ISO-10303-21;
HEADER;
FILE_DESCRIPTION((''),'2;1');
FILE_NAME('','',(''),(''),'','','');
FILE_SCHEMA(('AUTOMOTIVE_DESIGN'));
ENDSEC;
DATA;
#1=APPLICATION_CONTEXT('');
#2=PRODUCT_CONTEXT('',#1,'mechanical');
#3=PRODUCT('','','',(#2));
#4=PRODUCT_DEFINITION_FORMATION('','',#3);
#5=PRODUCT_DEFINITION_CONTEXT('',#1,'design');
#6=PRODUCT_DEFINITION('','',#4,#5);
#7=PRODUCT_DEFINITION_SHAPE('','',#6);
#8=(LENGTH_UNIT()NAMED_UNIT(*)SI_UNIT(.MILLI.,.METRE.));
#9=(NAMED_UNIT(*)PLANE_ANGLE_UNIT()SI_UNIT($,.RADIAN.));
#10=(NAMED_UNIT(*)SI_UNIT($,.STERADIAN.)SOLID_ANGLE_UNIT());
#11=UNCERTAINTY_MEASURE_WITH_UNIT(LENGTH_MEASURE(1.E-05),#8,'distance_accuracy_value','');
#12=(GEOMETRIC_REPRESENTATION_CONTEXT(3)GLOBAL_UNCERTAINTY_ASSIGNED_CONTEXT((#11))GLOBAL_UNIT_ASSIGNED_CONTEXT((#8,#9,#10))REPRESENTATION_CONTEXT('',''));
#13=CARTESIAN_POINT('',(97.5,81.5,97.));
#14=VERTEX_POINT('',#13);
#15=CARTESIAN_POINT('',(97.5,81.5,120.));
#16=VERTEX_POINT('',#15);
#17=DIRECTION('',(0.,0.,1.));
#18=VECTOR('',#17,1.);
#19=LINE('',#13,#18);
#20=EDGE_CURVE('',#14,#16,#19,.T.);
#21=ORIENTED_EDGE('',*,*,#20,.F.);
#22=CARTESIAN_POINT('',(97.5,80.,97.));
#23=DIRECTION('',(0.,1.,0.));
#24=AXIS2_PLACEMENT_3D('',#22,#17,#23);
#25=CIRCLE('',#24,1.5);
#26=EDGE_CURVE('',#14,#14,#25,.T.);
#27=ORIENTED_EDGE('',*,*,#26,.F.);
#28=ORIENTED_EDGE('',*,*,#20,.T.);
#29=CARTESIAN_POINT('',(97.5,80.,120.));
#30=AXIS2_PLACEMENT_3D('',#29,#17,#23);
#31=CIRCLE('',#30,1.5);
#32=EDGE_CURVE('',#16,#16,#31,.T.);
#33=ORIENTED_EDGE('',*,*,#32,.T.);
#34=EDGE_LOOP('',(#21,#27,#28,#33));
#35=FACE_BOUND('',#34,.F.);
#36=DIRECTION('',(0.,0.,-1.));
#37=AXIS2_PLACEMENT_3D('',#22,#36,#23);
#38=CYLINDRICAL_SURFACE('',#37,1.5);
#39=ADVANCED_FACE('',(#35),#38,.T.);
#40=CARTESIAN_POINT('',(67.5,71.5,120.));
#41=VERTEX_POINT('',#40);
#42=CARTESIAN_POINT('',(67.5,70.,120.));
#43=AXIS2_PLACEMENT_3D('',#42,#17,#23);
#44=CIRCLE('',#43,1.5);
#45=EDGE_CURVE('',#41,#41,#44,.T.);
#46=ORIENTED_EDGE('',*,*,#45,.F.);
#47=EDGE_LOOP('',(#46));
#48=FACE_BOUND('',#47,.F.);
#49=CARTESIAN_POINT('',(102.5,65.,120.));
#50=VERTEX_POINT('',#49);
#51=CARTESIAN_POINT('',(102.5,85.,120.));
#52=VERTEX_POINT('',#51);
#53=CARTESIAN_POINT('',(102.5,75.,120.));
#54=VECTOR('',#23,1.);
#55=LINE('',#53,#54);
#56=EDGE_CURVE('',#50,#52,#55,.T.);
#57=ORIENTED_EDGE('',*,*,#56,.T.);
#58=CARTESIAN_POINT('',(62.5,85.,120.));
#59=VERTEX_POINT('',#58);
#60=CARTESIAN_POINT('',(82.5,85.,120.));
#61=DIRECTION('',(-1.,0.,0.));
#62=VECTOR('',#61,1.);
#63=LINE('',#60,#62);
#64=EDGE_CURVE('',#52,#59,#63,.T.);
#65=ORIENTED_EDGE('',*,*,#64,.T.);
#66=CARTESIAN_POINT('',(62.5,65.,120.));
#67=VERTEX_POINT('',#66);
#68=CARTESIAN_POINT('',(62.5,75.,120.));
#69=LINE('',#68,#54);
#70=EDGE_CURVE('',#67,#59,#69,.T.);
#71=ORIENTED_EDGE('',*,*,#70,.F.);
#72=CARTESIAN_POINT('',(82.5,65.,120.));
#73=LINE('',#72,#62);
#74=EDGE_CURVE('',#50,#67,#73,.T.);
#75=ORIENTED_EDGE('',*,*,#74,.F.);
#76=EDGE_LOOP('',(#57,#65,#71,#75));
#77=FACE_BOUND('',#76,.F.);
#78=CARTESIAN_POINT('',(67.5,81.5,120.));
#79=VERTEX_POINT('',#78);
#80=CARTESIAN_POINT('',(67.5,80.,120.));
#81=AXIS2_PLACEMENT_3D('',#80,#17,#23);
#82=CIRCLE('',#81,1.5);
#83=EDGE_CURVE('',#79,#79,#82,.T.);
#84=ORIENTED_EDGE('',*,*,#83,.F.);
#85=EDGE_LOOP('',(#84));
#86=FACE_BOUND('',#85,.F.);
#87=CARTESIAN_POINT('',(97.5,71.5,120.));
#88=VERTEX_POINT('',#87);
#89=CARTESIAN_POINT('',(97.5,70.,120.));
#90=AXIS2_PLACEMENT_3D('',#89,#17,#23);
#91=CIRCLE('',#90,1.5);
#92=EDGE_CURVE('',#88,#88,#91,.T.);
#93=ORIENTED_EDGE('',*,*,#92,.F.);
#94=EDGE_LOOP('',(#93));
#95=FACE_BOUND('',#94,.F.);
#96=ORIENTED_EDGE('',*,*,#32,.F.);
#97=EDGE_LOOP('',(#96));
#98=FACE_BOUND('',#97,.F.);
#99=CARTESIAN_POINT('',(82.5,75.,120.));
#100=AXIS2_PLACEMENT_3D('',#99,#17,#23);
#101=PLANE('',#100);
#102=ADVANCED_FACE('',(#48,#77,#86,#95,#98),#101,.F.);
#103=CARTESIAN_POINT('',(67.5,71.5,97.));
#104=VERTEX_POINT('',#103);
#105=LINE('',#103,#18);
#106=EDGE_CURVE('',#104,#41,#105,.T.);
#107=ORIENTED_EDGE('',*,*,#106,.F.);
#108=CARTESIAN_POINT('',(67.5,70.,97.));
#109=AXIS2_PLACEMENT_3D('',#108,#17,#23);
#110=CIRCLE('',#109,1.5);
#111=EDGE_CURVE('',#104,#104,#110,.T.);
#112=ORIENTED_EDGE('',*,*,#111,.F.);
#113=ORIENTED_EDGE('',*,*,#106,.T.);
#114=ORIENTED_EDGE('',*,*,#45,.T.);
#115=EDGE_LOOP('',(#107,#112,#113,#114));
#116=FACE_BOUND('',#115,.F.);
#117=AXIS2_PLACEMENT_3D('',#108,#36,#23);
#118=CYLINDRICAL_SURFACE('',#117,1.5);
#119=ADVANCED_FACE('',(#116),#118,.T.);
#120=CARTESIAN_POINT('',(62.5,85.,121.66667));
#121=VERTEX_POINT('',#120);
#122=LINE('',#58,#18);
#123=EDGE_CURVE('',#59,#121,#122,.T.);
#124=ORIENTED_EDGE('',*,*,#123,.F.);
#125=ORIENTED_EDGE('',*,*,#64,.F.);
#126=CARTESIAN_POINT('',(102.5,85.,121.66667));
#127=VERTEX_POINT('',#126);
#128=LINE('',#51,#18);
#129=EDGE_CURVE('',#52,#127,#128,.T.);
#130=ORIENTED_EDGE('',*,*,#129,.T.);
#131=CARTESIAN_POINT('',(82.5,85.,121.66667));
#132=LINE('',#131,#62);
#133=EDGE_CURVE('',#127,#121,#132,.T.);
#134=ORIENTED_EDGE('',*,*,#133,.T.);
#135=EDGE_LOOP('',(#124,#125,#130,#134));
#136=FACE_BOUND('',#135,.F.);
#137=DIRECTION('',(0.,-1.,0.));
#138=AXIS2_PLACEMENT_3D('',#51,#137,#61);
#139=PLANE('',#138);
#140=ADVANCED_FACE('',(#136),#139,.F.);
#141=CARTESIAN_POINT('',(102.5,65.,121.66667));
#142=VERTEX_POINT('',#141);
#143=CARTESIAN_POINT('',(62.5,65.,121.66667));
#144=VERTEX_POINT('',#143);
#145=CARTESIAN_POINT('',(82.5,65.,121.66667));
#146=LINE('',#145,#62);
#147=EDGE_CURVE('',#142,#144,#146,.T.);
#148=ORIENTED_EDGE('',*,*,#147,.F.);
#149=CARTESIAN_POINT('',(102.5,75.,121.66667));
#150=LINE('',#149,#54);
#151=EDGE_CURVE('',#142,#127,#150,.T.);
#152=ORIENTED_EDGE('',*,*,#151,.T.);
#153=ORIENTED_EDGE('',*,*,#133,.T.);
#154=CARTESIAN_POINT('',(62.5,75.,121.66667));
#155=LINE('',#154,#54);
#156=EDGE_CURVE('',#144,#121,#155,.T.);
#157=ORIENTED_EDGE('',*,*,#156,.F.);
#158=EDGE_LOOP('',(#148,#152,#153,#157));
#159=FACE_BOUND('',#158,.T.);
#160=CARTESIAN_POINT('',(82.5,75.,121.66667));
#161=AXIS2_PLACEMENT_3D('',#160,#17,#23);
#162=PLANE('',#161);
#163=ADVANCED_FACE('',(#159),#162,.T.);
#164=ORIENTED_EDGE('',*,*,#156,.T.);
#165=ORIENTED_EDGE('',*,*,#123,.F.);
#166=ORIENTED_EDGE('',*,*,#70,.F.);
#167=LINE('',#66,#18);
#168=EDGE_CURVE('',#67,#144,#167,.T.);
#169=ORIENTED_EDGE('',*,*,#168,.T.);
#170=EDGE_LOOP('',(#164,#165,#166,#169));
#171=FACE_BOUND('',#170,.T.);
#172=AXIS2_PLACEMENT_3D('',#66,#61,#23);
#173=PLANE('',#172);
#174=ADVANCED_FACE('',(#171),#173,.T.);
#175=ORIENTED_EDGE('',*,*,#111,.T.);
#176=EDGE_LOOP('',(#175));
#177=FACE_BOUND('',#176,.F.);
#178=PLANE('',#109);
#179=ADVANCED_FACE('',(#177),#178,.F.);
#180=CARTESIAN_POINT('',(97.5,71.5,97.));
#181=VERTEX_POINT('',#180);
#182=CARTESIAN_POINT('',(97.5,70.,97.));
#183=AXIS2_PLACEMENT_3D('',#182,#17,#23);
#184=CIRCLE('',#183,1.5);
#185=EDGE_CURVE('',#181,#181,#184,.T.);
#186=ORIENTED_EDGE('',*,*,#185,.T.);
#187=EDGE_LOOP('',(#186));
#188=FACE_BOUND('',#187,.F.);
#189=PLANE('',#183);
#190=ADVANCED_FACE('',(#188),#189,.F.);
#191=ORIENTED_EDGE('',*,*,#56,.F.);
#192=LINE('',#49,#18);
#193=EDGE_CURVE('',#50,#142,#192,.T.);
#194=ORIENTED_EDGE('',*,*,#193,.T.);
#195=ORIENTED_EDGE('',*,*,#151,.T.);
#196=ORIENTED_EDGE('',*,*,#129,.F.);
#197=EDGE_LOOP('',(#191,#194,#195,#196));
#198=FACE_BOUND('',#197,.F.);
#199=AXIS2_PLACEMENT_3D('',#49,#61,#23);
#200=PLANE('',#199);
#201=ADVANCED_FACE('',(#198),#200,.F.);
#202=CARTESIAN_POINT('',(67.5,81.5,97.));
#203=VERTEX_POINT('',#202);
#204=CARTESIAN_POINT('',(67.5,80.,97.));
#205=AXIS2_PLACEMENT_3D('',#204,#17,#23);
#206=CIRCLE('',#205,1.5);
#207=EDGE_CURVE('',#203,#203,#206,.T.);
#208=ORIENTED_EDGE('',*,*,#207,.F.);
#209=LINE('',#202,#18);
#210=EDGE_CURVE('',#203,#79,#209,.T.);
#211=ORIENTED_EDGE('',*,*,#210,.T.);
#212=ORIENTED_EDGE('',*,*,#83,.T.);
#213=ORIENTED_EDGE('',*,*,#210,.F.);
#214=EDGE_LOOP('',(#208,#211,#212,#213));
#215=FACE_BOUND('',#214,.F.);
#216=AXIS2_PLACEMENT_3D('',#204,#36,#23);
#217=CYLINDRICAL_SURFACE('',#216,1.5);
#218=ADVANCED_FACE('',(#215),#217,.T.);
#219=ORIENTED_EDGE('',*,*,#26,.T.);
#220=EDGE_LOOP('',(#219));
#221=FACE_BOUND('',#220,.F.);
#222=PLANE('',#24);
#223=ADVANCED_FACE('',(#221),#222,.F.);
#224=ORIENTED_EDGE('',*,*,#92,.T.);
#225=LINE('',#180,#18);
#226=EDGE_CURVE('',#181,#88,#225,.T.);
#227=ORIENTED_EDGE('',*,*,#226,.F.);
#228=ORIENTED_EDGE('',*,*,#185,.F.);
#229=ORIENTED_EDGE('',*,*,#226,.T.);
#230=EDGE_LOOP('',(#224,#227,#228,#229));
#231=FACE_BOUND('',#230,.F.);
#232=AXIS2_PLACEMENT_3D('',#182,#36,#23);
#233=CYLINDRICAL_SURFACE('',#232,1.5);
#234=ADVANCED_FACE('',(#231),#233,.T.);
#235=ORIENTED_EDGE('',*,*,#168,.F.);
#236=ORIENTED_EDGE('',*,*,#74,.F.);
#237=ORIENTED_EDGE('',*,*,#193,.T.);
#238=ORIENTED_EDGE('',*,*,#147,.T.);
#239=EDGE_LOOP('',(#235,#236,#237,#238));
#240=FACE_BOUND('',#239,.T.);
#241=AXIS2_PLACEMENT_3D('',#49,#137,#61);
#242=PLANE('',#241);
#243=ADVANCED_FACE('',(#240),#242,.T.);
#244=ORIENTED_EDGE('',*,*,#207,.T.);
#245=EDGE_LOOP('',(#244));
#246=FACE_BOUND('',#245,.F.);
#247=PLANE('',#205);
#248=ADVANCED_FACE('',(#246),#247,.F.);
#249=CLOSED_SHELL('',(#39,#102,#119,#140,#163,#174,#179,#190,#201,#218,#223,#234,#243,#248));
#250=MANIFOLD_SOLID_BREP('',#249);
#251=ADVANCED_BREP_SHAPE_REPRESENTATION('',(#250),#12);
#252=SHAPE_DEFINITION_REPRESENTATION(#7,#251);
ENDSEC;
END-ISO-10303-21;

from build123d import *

# Parameters (mm, degrees)
CYLINDER001_R             = 1.5
CYLINDER001_DEPTH         = 23
ARRAY002_X_COUNT          = 2
ARRAY002_X_PITCH          = 10
ARRAY002_Y_COUNT          = 2
ARRAY002_Y_PITCH          = 30
BOX015_W                  = 20
BOX015_H                  = 40
BOX015_DEPTH              = 1.66667
FUSION004_PLACEMENT_ANGLE = 90


with BuildPart() as matriz_4_patas_mesa_escritorio:
    # Cylinder001 → Cylinder001 (new body)
    with BuildSketch(Plane(origin=(70, 112.5, 0), x_dir=(1, 0, 0), z_dir=(0, 0, 1))):
        Circle(CYLINDER001_R)
    extrude(amount=CYLINDER001_DEPTH)

    # Array002 X: Matriz 4 patas mesa escritorio ×2


with BuildPart() as matriz_4_patas_mesa_escritorio_1:
    add(matriz_4_patas_mesa_escritorio.part)
    with Locations(*[(i * ARRAY002_X_PITCH, 0, 0) for i in range(1, ARRAY002_X_COUNT)]):
        add(matriz_4_patas_mesa_escritorio.part)

    # Array002 Y: Matriz 4 patas mesa escritorio ×2


with BuildPart() as matriz_4_patas_mesa_escritorio_2:
    add(matriz_4_patas_mesa_escritorio_1.part)
    with Locations(*[(0, i * ARRAY002_Y_PITCH, 0) for i in range(1, ARRAY002_Y_COUNT)]):
        add(matriz_4_patas_mesa_escritorio_1.part)


with BuildPart() as mesa_escritorio:
    # Box015 → Box015 (new body)
    with BuildSketch(Plane(origin=(65, 107.5, 23), x_dir=(1, 0, 0), z_dir=(0, 0, 1))):
        with Locations((10, 20)):
            Rectangle(BOX015_W, BOX015_H)
    extrude(amount=BOX015_DEPTH)

    # Fusion004: union Matriz 4 patas mesa escritorio
    add(matriz_4_patas_mesa_escritorio_2.part)


with BuildPart() as mesa_escritorio_1:
    # Fusion004 placement: moved
    add(mesa_escritorio.part.moved(Location((210, 0, 97))).rotate(Axis((210, 0, 97), (0, 0, 1)), FUSION004_PLACEMENT_ANGLE))


solid = mesa_escritorio_1.part
